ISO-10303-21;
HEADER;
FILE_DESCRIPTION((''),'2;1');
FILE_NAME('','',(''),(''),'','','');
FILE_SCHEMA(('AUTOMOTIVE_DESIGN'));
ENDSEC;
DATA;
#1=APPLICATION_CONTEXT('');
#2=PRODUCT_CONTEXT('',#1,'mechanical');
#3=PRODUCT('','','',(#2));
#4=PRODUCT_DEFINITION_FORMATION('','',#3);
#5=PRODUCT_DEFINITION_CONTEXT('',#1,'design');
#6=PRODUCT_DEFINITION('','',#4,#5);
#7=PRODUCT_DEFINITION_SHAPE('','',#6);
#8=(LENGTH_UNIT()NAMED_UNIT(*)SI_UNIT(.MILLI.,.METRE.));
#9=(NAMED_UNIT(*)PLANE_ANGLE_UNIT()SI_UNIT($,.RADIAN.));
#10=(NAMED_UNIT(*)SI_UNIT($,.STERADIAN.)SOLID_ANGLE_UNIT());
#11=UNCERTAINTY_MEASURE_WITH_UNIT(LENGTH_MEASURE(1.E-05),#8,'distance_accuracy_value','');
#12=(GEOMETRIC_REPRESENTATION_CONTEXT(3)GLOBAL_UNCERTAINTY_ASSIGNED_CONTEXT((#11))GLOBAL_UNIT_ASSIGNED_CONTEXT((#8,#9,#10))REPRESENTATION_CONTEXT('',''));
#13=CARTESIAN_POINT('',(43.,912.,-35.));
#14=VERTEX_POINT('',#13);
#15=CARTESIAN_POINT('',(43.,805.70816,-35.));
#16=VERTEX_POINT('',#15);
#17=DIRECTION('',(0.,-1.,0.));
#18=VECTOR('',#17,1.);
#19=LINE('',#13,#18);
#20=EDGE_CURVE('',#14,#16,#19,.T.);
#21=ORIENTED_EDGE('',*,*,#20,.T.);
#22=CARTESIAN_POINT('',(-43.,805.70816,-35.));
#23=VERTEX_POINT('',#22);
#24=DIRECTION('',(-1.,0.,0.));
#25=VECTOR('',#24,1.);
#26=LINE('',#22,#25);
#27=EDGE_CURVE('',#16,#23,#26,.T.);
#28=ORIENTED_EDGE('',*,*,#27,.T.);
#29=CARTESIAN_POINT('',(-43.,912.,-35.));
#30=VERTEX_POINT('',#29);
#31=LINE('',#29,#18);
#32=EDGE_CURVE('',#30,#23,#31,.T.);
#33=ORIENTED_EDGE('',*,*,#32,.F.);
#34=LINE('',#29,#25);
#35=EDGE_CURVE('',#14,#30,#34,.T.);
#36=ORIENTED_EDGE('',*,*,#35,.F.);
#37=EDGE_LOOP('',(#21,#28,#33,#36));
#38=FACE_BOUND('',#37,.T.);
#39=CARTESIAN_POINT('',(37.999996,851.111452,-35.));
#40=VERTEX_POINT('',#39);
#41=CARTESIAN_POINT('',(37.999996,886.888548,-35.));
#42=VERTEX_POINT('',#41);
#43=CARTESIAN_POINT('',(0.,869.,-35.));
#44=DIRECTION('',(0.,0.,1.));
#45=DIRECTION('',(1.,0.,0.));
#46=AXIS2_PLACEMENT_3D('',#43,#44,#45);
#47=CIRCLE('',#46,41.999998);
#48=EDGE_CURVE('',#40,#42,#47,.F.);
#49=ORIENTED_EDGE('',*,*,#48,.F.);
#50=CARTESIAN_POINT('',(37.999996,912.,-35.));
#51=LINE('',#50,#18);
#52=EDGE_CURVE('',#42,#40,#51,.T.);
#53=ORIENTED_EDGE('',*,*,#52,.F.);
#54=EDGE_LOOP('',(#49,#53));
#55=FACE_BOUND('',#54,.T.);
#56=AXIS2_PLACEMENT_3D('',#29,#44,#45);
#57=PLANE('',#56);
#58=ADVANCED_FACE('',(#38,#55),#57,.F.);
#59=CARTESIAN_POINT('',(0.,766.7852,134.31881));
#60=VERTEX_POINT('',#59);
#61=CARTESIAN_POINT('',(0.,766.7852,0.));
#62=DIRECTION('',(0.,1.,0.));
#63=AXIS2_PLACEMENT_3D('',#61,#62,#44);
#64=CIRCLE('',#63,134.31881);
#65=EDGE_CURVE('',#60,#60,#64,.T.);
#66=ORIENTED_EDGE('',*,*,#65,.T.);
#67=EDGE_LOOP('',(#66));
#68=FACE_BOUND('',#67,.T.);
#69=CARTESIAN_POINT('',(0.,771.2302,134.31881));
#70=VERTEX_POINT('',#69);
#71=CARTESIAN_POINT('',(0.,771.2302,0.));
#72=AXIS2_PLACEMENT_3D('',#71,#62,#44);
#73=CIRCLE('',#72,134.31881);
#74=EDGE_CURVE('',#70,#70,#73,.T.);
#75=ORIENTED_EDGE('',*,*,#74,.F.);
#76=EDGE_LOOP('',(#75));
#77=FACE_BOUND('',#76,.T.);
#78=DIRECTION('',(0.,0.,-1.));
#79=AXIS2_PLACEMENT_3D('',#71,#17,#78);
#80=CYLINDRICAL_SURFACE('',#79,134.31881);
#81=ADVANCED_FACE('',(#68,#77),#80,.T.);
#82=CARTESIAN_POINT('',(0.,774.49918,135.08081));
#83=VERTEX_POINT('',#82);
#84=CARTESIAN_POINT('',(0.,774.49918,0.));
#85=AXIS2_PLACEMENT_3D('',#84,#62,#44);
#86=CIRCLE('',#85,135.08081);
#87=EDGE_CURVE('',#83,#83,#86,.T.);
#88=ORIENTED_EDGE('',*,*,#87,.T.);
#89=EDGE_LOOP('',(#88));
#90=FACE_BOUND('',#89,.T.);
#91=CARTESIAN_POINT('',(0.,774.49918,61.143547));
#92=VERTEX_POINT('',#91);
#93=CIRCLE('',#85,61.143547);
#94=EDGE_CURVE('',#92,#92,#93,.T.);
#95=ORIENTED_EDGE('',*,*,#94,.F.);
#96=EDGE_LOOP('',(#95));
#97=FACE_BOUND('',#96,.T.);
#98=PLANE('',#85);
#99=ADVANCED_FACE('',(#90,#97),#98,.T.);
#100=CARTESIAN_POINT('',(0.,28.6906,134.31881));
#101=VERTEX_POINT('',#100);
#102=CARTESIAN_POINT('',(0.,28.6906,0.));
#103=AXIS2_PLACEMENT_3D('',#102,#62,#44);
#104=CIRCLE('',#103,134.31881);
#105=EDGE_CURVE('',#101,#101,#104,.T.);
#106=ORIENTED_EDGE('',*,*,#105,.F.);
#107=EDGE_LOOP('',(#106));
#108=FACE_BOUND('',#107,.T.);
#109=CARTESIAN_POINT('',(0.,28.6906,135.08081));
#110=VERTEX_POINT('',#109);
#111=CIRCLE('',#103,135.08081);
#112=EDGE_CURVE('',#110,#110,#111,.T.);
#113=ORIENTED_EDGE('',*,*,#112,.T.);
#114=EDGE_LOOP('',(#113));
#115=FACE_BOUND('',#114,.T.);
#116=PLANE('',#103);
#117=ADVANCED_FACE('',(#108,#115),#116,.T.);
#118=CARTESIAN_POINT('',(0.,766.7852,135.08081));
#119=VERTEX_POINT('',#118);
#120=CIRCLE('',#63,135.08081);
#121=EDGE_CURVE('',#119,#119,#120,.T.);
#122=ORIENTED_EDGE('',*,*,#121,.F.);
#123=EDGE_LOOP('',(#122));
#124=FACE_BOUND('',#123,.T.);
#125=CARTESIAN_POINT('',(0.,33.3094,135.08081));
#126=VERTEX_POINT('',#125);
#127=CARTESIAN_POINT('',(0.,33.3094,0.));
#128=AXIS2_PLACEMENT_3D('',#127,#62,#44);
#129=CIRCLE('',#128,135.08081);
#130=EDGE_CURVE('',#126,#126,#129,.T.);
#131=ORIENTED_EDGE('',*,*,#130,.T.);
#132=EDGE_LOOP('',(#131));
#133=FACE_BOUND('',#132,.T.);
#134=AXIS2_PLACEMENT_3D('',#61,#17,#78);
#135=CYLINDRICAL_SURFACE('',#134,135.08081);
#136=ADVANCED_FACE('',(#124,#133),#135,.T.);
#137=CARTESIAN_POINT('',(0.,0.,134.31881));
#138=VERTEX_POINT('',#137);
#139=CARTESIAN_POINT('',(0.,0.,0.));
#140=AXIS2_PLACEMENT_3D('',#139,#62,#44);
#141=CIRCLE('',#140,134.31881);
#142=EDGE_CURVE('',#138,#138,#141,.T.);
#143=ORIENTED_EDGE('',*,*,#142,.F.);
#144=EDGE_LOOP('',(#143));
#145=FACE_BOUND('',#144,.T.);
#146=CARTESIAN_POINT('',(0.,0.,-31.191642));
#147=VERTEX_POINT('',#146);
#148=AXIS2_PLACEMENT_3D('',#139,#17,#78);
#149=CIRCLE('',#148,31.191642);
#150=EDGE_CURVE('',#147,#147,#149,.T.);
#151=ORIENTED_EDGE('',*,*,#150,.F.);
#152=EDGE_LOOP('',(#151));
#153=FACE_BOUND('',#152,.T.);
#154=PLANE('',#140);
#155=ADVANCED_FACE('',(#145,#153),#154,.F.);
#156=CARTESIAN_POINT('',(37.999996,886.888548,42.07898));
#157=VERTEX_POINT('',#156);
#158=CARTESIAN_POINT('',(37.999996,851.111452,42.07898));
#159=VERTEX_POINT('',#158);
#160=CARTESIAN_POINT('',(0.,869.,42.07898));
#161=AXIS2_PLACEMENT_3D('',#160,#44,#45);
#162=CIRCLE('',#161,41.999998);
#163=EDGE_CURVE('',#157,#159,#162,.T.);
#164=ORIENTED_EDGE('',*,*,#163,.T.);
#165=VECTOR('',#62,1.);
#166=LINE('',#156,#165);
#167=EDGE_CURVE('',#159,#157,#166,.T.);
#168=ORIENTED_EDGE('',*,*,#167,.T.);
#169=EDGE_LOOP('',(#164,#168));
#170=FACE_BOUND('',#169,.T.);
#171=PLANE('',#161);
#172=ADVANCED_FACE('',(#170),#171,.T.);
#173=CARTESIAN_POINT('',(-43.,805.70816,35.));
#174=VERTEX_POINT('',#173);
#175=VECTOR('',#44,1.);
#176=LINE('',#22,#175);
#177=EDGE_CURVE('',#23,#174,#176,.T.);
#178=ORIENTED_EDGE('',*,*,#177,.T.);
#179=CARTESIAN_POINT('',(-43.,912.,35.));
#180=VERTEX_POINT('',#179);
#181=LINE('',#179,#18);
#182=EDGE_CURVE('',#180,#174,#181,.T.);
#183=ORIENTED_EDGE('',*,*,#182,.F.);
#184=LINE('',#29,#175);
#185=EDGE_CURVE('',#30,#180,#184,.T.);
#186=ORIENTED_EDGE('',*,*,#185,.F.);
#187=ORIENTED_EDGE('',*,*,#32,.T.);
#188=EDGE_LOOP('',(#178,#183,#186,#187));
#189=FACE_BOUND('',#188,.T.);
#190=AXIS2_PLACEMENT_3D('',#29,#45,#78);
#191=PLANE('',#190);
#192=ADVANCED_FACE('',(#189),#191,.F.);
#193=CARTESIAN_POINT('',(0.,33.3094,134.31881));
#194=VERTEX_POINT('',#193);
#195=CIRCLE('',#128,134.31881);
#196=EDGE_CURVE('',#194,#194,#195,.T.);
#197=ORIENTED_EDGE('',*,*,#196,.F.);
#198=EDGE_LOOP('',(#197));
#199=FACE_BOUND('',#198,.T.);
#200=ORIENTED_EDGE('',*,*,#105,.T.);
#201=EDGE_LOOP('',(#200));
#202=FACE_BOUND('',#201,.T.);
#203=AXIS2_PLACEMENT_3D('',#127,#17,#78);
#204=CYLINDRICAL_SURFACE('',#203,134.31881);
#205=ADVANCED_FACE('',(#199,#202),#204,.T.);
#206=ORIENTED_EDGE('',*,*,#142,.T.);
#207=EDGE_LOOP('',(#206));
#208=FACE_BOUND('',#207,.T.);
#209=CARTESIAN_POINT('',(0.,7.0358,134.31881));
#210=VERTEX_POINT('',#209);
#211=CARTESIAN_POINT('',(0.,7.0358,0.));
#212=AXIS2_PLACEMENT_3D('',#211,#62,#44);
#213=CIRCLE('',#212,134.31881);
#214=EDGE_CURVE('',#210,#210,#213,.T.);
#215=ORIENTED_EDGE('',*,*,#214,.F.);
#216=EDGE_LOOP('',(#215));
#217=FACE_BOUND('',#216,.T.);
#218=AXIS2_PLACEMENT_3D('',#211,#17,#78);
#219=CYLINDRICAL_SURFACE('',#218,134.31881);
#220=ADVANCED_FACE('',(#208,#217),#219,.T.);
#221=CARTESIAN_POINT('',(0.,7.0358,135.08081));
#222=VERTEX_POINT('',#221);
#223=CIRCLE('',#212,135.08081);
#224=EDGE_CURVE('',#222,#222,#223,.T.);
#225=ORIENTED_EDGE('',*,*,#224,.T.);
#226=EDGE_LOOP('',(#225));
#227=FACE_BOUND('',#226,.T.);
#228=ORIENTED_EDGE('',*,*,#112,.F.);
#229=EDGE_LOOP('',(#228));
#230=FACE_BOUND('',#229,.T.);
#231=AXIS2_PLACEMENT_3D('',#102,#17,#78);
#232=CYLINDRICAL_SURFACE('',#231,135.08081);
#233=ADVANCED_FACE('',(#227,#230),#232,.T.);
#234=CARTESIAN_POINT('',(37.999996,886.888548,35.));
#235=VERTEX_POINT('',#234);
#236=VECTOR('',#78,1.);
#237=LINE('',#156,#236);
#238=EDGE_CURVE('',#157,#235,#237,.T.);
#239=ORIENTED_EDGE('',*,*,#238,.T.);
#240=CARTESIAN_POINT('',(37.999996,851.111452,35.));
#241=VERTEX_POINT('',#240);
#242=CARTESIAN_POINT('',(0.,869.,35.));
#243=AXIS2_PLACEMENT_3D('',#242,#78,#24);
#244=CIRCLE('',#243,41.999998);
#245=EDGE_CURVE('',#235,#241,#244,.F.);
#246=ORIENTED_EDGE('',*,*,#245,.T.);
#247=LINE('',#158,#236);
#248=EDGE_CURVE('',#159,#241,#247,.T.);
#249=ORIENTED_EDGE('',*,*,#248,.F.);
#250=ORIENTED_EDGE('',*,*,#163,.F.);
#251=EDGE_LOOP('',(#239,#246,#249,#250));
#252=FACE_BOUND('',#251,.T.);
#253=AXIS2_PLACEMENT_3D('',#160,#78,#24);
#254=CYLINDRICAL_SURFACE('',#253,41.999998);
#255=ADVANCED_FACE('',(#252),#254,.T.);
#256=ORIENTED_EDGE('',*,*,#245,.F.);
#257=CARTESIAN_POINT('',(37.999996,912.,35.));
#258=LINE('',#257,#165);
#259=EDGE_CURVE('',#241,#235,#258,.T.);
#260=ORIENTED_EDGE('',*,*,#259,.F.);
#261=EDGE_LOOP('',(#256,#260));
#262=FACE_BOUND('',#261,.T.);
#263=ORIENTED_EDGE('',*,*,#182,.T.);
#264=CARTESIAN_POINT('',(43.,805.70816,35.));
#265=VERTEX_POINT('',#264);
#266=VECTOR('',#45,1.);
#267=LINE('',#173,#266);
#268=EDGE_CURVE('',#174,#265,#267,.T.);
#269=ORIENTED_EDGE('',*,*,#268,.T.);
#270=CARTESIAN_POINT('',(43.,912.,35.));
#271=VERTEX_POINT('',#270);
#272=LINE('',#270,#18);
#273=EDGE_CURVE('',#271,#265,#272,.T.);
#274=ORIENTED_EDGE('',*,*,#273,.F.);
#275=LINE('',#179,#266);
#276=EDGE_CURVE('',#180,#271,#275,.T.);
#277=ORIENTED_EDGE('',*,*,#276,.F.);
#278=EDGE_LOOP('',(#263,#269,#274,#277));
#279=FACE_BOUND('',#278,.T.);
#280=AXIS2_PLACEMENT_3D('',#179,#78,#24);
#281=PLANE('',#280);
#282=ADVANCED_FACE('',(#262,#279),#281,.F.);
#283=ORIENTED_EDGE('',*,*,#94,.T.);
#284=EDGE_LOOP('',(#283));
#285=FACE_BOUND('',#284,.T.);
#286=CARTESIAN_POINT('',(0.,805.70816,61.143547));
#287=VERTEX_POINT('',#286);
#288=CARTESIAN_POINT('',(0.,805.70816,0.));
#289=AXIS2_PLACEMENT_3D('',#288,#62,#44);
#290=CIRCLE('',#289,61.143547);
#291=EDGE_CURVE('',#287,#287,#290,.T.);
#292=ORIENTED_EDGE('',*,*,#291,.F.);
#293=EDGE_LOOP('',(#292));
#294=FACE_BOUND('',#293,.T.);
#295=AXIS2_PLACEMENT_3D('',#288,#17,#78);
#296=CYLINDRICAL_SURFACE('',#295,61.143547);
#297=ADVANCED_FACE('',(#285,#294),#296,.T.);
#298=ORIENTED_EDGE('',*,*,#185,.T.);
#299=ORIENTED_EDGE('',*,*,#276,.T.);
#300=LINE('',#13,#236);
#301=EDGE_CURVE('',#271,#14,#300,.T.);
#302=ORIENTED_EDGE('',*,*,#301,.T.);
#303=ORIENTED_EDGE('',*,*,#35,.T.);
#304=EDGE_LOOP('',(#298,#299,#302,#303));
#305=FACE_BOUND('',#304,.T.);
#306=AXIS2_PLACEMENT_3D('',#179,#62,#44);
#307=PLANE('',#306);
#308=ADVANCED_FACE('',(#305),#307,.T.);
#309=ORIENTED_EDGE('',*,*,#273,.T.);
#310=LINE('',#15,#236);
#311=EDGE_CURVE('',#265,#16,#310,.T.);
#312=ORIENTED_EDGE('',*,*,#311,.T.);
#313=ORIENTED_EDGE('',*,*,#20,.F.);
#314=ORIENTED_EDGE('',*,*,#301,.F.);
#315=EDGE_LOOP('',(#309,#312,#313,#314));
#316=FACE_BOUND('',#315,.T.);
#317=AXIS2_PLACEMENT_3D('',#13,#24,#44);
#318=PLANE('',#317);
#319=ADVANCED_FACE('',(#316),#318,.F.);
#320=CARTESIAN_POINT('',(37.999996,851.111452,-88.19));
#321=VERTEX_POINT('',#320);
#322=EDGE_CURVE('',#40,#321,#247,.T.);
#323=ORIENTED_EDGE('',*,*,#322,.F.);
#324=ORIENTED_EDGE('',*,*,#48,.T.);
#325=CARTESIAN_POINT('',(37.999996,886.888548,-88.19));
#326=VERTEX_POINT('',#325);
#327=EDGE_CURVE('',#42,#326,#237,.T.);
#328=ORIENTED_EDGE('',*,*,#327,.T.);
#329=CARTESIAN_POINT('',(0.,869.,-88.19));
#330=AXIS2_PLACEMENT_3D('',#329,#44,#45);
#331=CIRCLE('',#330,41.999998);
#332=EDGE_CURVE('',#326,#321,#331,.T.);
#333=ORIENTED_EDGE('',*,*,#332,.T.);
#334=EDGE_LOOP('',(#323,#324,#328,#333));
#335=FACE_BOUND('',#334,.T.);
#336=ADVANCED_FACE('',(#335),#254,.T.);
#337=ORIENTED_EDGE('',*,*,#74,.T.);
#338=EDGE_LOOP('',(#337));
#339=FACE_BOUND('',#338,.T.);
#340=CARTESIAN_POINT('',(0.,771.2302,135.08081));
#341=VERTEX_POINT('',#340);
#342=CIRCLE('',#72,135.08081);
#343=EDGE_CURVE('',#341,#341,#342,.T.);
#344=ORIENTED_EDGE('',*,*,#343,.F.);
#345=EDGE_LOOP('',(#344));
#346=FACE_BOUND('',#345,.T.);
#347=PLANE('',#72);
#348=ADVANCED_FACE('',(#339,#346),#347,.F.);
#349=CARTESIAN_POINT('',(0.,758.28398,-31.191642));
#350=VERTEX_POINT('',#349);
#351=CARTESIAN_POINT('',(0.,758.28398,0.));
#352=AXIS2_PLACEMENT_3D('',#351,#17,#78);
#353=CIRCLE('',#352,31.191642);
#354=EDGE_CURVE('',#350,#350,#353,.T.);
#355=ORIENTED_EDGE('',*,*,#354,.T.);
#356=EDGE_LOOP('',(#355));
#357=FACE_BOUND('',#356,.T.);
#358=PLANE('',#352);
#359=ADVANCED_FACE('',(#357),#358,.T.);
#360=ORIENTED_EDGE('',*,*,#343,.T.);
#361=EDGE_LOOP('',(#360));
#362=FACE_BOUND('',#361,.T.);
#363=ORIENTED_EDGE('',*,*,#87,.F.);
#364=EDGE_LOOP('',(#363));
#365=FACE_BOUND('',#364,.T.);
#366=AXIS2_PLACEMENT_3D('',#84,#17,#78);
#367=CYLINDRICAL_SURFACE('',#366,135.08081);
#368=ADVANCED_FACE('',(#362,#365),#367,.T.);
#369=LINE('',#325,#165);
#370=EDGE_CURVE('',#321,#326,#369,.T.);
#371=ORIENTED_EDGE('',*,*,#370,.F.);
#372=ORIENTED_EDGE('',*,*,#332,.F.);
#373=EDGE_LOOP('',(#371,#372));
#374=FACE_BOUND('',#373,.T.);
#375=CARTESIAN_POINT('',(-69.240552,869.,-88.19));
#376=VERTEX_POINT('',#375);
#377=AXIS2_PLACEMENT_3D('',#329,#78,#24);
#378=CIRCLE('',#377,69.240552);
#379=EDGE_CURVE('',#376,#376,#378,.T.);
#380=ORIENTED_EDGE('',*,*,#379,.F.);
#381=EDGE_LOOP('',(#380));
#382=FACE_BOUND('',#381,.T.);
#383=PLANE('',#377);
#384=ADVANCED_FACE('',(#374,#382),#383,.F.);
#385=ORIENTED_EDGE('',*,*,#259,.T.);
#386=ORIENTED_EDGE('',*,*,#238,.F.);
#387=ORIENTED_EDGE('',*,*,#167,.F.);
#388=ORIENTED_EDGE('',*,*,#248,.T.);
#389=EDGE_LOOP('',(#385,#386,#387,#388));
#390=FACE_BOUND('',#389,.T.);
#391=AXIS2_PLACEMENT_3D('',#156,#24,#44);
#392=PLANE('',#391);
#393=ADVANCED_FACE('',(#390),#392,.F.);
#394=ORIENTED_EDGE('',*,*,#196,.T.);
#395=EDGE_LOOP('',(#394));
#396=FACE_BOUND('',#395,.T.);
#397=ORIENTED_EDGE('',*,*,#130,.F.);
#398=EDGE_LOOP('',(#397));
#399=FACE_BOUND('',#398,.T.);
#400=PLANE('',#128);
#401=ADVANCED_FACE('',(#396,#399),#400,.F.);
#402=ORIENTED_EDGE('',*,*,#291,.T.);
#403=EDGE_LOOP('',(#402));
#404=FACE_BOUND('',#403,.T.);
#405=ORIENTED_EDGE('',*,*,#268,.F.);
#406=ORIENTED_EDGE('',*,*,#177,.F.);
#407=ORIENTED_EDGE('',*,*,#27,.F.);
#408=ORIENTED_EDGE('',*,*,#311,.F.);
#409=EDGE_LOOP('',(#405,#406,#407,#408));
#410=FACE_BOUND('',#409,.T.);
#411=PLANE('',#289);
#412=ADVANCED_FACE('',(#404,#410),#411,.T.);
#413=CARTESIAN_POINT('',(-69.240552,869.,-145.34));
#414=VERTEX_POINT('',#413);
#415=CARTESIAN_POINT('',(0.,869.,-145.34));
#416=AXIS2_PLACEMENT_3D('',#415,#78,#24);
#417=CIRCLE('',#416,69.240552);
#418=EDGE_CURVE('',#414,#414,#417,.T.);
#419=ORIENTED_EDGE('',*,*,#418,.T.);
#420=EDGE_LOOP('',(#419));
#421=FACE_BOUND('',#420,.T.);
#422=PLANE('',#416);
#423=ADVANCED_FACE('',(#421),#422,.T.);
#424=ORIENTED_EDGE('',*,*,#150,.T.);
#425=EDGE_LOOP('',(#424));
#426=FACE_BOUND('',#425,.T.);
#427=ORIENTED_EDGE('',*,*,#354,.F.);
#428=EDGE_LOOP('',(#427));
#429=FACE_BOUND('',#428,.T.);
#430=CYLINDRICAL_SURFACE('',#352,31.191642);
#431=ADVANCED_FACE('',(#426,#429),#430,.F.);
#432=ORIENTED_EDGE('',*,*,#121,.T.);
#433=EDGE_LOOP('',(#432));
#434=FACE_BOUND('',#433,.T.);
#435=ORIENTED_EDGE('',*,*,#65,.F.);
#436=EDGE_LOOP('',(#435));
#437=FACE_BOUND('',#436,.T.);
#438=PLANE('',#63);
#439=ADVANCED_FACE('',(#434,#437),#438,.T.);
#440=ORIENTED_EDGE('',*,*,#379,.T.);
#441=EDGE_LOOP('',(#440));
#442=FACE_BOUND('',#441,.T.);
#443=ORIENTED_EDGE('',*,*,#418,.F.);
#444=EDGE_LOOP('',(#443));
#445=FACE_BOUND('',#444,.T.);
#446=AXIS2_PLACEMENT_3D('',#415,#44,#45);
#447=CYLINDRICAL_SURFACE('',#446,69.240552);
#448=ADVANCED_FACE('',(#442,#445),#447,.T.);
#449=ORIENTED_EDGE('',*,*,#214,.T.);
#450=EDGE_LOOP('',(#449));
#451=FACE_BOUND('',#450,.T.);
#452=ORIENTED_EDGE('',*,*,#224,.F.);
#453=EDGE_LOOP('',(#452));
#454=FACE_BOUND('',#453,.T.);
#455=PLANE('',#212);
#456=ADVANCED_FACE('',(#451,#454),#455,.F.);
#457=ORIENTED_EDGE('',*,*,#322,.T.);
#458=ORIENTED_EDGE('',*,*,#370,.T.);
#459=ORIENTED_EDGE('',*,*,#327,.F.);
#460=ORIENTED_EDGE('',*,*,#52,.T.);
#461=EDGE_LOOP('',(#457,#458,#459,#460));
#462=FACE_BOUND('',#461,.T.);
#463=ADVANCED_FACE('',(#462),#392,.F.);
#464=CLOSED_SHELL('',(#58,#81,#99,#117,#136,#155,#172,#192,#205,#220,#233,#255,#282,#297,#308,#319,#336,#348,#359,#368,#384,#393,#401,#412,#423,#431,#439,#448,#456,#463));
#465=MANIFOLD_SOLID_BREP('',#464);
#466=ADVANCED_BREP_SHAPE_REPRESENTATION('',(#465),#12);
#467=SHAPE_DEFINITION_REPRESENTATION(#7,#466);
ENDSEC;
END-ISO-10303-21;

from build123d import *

# Parameters (mm, degrees)
SKETCH6_R           = 134.318809958
EXTRUDE1_DEPTH      = 7.0358
SKETCH7_R           = 135.080809958
EXTRUDE2_DEPTH      = 21.6548
SKETCH8_R           = 134.318809958
EXTRUDE3_DEPTH      = 4.6188
SKETCH9_R           = 135.080809958
EXTRUDE4_DEPTH      = 733.4758
SKETCH10_R          = 134.318809958
EXTRUDE5_DEPTH      = 4.445
SKETCH11_R          = 135.080809958
EXTRUDE6_DEPTH      = 3.26898
SKETCH12_R          = 61.143546623
EXTRUDE7_DEPTH      = 31.20898
SKETCH13_W          = 86
SKETCH13_H          = 70
EXTRUDE8_DEPTH      = 106.29184
EXTRUDE9_DEPTH      = 7.07898
EXTRUDE9_DEPTH_BACK = 123.19
SKETCH15_R          = 69.240552209
EXTRUDE10_DEPTH     = 57.15
SKETCH16_R          = 31.191641703
CUT_EXTRUDE1_DEPTH  = 758.28398


with BuildPart() as part:
    # Sketch6 → Extrude1 (new body)
    with BuildSketch(Plane(origin=(0, 0, 0), x_dir=(1, 0, 0), z_dir=(0, 1, 0))):
        Circle(SKETCH6_R)
    extrude(amount=EXTRUDE1_DEPTH)

    # Sketch7 → Extrude2 (add)
    with BuildSketch(Plane(origin=(0, 7.0358, 0), x_dir=(-1, 0, 0), z_dir=(0, 1, 0))):
        Circle(SKETCH7_R)
    extrude(amount=EXTRUDE2_DEPTH)

    # Sketch8 → Extrude3 (add)
    with BuildSketch(Plane(origin=(0, 28.6906, 0), x_dir=(-1, 0, 0), z_dir=(0, 1, 0))):
        Circle(SKETCH8_R)
    extrude(amount=EXTRUDE3_DEPTH)

    # Sketch9 → Extrude4 (add)
    with BuildSketch(Plane(origin=(0, 33.3094, 0), x_dir=(-1, 0, 0), z_dir=(0, 1, 0))):
        Circle(SKETCH9_R)
    extrude(amount=EXTRUDE4_DEPTH)

    # Sketch10 → Extrude5 (add)
    with BuildSketch(Plane(origin=(0, 766.7852, 0), x_dir=(-1, 0, 0), z_dir=(0, 1, 0))):
        Circle(SKETCH10_R)
    extrude(amount=EXTRUDE5_DEPTH)

    # Sketch11 → Extrude6 (add)
    with BuildSketch(Plane(origin=(0, 771.2302, 0), x_dir=(-1, 0, 0), z_dir=(0, 1, 0))):
        Circle(SKETCH11_R)
    extrude(amount=EXTRUDE6_DEPTH)

    # Sketch12 → Extrude7 (add)
    with BuildSketch(Plane(origin=(0, 774.49918, 0), x_dir=(-1, 0, 0), z_dir=(0, 1, 0))):
        Circle(SKETCH12_R)
    extrude(amount=EXTRUDE7_DEPTH)

    # Sketch13 → Extrude8 (add)
    with BuildSketch(Plane(origin=(0, 805.70816, 0), x_dir=(-1, 0, 0), z_dir=(0, 1, 0))):
        with Locations((0, 4.8e-08)):
            Rectangle(SKETCH13_W, SKETCH13_H)
    extrude(amount=EXTRUDE8_DEPTH)

    # Sketch14 → Extrude9 (add, two sides)
    with BuildSketch(Plane.XY.offset(35.000000048)) as extrude9_sk:
        with BuildLine():
            Line((37.999996487, 886.888547526), (37.999996487, 851.111452474))
            ThreePointArc((37.999996487, 851.111452474), (-41.9999984, 869), (37.999996487, 886.888547526))
        make_face()
    extrude(amount=EXTRUDE9_DEPTH)
    extrude(extrude9_sk.sketch, amount=-EXTRUDE9_DEPTH_BACK)

    # Sketch15 → Extrude10 (add)
    with BuildSketch(Plane(origin=(0, 0, -88.189999952), x_dir=(-1, 0, 0), z_dir=(0, 0, -1))):
        with Locations((0, 869)):
            Circle(SKETCH15_R)
    extrude(amount=EXTRUDE10_DEPTH)

    # Sketch16 → Cut-Extrude1 (cut)
    with BuildSketch(Plane.XZ):
        Circle(SKETCH16_R)
    extrude(amount=-CUT_EXTRUDE1_DEPTH, mode=Mode.SUBTRACT)


solid = part.part
